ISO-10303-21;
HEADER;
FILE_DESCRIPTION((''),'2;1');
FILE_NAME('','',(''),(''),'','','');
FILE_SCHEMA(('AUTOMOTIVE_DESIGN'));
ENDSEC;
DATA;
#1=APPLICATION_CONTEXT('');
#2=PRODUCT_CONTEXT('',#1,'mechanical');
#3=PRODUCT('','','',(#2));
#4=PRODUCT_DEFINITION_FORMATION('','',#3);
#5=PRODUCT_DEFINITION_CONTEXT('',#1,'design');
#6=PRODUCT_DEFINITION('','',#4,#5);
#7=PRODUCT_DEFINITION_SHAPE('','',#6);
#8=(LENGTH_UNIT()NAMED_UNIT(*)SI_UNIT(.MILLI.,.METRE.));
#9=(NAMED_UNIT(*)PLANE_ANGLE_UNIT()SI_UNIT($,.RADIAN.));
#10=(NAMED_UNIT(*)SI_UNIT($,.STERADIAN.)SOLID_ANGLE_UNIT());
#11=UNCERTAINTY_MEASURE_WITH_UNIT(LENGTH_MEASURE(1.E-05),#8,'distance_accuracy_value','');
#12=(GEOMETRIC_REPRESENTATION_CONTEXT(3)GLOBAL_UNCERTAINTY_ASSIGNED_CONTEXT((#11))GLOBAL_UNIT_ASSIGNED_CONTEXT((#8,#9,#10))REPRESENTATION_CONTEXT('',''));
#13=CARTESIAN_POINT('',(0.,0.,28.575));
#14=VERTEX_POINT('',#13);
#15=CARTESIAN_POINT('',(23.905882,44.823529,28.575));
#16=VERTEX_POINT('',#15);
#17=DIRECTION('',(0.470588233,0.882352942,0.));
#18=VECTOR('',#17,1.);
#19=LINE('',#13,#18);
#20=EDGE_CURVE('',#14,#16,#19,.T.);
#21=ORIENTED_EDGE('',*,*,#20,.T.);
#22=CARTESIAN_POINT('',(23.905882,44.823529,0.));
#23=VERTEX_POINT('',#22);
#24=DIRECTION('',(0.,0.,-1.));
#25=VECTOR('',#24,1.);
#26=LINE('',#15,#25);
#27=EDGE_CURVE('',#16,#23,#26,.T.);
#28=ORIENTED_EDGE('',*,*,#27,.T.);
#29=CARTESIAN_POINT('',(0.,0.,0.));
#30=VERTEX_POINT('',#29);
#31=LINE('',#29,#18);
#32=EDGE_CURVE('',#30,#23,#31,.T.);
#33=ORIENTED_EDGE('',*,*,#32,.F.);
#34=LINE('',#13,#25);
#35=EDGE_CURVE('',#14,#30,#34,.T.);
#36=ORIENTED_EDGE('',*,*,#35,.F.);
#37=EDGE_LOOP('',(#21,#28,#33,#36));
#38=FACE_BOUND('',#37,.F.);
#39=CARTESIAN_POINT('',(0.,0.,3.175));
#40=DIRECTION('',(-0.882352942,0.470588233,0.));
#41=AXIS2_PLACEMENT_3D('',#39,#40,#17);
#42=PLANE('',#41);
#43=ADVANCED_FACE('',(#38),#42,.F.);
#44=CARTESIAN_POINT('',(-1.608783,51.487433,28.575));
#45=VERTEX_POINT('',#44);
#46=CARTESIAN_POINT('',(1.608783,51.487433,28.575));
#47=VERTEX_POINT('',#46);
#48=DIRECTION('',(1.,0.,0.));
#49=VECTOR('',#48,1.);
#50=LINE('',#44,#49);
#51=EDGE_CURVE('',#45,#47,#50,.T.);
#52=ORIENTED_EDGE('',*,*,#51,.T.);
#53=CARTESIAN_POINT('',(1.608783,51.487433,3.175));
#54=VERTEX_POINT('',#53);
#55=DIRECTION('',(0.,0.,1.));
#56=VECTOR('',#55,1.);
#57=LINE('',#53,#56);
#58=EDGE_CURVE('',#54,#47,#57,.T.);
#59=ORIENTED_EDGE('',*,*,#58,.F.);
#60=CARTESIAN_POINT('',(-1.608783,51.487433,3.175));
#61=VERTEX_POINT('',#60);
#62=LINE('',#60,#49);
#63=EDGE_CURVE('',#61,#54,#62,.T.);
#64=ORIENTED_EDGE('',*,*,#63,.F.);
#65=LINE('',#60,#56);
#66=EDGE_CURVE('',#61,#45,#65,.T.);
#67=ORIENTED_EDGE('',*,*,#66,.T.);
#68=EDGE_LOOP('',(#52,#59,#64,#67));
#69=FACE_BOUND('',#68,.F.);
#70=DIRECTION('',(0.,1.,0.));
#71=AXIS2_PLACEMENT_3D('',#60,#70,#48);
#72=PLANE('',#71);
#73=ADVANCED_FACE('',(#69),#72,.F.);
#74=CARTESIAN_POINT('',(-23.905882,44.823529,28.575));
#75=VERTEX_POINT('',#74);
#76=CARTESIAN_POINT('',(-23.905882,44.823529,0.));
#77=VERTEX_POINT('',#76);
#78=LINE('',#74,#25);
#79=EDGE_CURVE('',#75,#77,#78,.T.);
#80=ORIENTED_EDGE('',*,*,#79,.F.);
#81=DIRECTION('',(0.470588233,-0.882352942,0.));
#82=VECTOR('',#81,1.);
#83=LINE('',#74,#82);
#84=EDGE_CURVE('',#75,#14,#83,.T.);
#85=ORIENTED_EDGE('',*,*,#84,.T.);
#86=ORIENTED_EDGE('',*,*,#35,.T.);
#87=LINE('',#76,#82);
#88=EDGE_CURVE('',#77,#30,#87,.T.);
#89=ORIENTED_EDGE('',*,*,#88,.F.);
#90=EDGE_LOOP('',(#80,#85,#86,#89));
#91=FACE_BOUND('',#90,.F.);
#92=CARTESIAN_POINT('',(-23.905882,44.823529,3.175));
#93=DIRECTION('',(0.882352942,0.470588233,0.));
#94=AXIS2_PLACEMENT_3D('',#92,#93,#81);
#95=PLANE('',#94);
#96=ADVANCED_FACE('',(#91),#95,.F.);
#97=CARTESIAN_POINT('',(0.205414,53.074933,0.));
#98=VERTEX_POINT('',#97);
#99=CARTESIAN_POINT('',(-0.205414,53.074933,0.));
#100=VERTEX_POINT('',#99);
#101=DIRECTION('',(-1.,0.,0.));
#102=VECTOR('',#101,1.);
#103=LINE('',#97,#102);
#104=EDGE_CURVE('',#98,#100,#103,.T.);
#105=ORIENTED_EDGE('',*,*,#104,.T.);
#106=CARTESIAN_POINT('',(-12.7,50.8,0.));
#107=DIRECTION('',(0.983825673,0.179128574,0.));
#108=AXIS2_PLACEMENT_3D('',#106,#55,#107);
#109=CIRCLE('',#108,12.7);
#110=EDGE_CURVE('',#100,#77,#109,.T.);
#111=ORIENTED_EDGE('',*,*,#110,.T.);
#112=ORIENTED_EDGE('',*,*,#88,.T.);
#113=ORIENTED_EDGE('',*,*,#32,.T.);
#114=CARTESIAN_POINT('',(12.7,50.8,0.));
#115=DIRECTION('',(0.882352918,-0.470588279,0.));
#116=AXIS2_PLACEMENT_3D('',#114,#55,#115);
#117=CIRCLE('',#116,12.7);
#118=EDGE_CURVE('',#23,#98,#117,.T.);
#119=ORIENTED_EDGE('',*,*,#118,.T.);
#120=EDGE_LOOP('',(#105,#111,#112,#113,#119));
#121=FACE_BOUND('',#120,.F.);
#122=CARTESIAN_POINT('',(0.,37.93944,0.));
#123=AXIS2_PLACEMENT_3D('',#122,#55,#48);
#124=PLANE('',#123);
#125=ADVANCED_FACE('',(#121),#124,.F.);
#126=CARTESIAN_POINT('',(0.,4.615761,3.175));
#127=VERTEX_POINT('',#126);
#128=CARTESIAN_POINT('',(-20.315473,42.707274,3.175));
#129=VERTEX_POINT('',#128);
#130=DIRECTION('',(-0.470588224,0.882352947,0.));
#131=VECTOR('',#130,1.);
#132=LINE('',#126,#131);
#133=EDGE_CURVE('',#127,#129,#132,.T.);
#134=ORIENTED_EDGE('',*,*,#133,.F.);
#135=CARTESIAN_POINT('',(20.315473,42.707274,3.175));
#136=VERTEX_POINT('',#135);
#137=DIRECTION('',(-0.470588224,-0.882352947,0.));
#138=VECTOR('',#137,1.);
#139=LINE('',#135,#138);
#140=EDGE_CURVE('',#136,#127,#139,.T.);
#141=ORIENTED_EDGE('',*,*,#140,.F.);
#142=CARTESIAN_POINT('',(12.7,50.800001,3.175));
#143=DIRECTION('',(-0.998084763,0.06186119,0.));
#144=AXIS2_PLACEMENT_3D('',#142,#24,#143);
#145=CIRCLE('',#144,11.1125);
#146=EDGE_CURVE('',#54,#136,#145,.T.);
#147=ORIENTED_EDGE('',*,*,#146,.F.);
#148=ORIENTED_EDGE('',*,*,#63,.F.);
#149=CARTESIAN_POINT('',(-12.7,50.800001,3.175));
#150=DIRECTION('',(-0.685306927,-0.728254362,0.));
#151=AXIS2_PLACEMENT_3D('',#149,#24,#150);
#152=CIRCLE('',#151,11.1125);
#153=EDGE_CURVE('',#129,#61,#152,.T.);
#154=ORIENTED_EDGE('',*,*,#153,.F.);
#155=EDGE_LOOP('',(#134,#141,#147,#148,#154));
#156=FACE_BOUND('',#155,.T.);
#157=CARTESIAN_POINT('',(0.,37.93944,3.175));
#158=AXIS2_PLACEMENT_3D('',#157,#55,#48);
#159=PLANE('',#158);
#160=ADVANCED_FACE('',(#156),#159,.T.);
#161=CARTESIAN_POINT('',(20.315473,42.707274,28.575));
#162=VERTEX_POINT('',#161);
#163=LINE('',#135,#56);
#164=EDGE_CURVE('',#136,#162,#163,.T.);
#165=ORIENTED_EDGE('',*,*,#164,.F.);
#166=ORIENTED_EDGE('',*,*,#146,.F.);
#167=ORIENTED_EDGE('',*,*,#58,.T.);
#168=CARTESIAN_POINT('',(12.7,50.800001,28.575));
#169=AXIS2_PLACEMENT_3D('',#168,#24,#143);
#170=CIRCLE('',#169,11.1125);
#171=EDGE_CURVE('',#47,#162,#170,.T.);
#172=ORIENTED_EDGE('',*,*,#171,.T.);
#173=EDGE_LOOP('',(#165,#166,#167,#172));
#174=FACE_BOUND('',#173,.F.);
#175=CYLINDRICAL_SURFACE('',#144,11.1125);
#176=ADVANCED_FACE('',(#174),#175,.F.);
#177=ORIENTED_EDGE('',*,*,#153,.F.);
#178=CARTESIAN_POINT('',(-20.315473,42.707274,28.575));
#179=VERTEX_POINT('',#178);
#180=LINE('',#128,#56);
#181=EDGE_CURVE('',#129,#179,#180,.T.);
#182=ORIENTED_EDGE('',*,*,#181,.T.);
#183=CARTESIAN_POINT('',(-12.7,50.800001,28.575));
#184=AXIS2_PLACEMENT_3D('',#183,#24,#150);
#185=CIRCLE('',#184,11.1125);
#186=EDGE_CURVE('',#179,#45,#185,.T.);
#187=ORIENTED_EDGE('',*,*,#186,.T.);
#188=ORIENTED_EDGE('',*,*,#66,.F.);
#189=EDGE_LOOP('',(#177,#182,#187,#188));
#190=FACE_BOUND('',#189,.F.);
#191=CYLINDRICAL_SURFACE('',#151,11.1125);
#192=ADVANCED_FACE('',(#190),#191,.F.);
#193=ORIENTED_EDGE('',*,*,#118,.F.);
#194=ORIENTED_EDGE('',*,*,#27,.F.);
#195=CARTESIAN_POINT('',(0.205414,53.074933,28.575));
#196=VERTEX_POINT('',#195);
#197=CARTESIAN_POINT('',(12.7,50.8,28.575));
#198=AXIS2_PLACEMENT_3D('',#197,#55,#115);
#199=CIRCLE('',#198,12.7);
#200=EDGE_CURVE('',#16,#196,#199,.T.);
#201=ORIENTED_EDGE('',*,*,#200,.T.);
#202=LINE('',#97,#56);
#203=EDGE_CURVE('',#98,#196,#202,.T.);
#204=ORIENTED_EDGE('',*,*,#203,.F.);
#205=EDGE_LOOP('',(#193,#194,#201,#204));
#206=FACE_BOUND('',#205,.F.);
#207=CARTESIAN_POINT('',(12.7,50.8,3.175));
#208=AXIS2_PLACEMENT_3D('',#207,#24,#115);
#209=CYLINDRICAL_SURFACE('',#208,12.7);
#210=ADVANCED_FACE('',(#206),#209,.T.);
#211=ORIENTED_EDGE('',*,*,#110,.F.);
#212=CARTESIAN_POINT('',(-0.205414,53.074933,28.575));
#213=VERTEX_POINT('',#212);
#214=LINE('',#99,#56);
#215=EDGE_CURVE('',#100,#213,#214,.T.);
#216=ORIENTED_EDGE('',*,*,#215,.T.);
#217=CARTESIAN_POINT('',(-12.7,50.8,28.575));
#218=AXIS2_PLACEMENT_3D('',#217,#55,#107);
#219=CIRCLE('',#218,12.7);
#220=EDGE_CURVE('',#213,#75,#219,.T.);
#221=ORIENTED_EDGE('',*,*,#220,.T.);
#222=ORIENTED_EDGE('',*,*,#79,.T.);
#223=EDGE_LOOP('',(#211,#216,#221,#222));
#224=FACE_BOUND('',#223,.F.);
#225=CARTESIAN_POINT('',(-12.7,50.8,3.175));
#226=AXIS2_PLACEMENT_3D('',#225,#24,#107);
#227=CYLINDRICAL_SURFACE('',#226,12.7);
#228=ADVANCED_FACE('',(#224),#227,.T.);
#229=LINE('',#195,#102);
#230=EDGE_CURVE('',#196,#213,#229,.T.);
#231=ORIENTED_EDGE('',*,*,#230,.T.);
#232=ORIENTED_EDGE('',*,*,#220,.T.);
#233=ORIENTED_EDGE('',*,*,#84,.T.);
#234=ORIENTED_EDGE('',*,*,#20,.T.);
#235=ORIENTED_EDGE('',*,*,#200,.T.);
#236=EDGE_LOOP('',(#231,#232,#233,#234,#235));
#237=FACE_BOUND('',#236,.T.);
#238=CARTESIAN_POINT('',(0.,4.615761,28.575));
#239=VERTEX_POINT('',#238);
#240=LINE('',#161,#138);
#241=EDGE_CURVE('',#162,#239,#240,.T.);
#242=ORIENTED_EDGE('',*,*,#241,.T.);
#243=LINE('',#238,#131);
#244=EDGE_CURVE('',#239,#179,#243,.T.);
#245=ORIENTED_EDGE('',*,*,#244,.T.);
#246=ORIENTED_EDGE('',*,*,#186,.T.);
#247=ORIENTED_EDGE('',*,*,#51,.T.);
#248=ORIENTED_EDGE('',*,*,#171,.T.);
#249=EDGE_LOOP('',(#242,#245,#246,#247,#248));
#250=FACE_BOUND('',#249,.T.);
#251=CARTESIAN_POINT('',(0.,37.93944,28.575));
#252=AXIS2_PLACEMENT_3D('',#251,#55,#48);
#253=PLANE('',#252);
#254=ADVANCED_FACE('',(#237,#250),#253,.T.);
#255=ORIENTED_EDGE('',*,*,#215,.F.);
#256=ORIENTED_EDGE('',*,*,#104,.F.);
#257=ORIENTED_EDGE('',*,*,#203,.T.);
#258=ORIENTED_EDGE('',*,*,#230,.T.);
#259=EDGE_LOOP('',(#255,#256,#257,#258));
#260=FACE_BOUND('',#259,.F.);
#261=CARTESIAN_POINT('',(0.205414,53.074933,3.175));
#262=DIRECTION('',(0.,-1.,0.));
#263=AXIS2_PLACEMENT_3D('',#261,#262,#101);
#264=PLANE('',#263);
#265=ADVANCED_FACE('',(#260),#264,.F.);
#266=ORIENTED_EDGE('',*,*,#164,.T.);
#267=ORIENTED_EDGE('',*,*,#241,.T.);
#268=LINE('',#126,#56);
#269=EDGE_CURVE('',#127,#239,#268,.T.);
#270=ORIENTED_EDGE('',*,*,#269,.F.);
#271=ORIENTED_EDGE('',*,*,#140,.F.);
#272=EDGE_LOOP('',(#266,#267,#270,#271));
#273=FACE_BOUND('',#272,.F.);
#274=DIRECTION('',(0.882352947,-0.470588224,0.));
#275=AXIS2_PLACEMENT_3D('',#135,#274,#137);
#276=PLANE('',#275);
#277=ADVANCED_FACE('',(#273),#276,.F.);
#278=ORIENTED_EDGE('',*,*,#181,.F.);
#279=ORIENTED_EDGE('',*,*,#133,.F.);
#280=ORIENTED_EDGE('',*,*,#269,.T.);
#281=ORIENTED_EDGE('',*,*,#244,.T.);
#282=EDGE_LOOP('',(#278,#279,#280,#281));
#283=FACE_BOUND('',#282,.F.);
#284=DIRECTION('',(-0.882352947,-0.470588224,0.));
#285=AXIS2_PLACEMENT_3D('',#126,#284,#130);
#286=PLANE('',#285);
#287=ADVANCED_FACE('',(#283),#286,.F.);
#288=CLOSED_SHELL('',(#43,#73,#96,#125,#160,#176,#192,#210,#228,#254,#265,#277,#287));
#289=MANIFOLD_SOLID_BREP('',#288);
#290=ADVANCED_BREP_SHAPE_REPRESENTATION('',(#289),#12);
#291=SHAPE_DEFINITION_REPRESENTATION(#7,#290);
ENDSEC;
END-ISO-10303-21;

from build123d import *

# Parameters (mm, degrees)
F1_DEPTH = 3.175
F3_DEPTH = 25.4


with BuildPart() as f1:
    # F0 (on Top) → F1 (new body)
    with BuildSketch(Plane.XY):
        with BuildLine():
            Line((0.205414, 53.074933), (-0.205414, 53.074933))
            ThreePointArc((-0.205414, 53.074933), (-16.875716, 62.79389), (-23.905882, 44.823529))
            Line((-23.905882, 44.823529), (0, 0))
            Line((0, 0), (23.905882, 44.823529))
            ThreePointArc((23.905882, 44.823529), (16.875716, 62.79389), (0.205414, 53.074933))
        make_face()
    extrude(amount=F1_DEPTH)

    # F2 (on face) → F3 (join)
    with BuildSketch(Plane.XY.offset(3.175)):
        with BuildLine():
            ThreePointArc((23.905882, 44.823529), (16.875716, 62.79389), (0.205414, 53.074933))
            Line((0.205414, 53.074933), (-0.205414, 53.074933))
            ThreePointArc((-0.205414, 53.074933), (-16.875716, 62.79389), (-23.905882, 44.823529))
            Line((-23.905882, 44.823529), (0, 0))
            Line((0, 0), (23.905882, 44.823529))
        make_face()
        with BuildLine():
            ThreePointArc((-20.315473, 42.707274), (-17.421546, 60.859556), (-1.608783, 51.487433))
            Line((-1.608783, 51.487433), (1.608783, 51.487433))
            ThreePointArc((1.608783, 51.487433), (17.421546, 60.859556), (20.315473, 42.707274))
            Line((20.315473, 42.707274), (0, 4.615761))
            Line((0, 4.615761), (-20.315473, 42.707274))
        make_face(mode=Mode.SUBTRACT)
    extrude(amount=F3_DEPTH)


solid = f1.part
